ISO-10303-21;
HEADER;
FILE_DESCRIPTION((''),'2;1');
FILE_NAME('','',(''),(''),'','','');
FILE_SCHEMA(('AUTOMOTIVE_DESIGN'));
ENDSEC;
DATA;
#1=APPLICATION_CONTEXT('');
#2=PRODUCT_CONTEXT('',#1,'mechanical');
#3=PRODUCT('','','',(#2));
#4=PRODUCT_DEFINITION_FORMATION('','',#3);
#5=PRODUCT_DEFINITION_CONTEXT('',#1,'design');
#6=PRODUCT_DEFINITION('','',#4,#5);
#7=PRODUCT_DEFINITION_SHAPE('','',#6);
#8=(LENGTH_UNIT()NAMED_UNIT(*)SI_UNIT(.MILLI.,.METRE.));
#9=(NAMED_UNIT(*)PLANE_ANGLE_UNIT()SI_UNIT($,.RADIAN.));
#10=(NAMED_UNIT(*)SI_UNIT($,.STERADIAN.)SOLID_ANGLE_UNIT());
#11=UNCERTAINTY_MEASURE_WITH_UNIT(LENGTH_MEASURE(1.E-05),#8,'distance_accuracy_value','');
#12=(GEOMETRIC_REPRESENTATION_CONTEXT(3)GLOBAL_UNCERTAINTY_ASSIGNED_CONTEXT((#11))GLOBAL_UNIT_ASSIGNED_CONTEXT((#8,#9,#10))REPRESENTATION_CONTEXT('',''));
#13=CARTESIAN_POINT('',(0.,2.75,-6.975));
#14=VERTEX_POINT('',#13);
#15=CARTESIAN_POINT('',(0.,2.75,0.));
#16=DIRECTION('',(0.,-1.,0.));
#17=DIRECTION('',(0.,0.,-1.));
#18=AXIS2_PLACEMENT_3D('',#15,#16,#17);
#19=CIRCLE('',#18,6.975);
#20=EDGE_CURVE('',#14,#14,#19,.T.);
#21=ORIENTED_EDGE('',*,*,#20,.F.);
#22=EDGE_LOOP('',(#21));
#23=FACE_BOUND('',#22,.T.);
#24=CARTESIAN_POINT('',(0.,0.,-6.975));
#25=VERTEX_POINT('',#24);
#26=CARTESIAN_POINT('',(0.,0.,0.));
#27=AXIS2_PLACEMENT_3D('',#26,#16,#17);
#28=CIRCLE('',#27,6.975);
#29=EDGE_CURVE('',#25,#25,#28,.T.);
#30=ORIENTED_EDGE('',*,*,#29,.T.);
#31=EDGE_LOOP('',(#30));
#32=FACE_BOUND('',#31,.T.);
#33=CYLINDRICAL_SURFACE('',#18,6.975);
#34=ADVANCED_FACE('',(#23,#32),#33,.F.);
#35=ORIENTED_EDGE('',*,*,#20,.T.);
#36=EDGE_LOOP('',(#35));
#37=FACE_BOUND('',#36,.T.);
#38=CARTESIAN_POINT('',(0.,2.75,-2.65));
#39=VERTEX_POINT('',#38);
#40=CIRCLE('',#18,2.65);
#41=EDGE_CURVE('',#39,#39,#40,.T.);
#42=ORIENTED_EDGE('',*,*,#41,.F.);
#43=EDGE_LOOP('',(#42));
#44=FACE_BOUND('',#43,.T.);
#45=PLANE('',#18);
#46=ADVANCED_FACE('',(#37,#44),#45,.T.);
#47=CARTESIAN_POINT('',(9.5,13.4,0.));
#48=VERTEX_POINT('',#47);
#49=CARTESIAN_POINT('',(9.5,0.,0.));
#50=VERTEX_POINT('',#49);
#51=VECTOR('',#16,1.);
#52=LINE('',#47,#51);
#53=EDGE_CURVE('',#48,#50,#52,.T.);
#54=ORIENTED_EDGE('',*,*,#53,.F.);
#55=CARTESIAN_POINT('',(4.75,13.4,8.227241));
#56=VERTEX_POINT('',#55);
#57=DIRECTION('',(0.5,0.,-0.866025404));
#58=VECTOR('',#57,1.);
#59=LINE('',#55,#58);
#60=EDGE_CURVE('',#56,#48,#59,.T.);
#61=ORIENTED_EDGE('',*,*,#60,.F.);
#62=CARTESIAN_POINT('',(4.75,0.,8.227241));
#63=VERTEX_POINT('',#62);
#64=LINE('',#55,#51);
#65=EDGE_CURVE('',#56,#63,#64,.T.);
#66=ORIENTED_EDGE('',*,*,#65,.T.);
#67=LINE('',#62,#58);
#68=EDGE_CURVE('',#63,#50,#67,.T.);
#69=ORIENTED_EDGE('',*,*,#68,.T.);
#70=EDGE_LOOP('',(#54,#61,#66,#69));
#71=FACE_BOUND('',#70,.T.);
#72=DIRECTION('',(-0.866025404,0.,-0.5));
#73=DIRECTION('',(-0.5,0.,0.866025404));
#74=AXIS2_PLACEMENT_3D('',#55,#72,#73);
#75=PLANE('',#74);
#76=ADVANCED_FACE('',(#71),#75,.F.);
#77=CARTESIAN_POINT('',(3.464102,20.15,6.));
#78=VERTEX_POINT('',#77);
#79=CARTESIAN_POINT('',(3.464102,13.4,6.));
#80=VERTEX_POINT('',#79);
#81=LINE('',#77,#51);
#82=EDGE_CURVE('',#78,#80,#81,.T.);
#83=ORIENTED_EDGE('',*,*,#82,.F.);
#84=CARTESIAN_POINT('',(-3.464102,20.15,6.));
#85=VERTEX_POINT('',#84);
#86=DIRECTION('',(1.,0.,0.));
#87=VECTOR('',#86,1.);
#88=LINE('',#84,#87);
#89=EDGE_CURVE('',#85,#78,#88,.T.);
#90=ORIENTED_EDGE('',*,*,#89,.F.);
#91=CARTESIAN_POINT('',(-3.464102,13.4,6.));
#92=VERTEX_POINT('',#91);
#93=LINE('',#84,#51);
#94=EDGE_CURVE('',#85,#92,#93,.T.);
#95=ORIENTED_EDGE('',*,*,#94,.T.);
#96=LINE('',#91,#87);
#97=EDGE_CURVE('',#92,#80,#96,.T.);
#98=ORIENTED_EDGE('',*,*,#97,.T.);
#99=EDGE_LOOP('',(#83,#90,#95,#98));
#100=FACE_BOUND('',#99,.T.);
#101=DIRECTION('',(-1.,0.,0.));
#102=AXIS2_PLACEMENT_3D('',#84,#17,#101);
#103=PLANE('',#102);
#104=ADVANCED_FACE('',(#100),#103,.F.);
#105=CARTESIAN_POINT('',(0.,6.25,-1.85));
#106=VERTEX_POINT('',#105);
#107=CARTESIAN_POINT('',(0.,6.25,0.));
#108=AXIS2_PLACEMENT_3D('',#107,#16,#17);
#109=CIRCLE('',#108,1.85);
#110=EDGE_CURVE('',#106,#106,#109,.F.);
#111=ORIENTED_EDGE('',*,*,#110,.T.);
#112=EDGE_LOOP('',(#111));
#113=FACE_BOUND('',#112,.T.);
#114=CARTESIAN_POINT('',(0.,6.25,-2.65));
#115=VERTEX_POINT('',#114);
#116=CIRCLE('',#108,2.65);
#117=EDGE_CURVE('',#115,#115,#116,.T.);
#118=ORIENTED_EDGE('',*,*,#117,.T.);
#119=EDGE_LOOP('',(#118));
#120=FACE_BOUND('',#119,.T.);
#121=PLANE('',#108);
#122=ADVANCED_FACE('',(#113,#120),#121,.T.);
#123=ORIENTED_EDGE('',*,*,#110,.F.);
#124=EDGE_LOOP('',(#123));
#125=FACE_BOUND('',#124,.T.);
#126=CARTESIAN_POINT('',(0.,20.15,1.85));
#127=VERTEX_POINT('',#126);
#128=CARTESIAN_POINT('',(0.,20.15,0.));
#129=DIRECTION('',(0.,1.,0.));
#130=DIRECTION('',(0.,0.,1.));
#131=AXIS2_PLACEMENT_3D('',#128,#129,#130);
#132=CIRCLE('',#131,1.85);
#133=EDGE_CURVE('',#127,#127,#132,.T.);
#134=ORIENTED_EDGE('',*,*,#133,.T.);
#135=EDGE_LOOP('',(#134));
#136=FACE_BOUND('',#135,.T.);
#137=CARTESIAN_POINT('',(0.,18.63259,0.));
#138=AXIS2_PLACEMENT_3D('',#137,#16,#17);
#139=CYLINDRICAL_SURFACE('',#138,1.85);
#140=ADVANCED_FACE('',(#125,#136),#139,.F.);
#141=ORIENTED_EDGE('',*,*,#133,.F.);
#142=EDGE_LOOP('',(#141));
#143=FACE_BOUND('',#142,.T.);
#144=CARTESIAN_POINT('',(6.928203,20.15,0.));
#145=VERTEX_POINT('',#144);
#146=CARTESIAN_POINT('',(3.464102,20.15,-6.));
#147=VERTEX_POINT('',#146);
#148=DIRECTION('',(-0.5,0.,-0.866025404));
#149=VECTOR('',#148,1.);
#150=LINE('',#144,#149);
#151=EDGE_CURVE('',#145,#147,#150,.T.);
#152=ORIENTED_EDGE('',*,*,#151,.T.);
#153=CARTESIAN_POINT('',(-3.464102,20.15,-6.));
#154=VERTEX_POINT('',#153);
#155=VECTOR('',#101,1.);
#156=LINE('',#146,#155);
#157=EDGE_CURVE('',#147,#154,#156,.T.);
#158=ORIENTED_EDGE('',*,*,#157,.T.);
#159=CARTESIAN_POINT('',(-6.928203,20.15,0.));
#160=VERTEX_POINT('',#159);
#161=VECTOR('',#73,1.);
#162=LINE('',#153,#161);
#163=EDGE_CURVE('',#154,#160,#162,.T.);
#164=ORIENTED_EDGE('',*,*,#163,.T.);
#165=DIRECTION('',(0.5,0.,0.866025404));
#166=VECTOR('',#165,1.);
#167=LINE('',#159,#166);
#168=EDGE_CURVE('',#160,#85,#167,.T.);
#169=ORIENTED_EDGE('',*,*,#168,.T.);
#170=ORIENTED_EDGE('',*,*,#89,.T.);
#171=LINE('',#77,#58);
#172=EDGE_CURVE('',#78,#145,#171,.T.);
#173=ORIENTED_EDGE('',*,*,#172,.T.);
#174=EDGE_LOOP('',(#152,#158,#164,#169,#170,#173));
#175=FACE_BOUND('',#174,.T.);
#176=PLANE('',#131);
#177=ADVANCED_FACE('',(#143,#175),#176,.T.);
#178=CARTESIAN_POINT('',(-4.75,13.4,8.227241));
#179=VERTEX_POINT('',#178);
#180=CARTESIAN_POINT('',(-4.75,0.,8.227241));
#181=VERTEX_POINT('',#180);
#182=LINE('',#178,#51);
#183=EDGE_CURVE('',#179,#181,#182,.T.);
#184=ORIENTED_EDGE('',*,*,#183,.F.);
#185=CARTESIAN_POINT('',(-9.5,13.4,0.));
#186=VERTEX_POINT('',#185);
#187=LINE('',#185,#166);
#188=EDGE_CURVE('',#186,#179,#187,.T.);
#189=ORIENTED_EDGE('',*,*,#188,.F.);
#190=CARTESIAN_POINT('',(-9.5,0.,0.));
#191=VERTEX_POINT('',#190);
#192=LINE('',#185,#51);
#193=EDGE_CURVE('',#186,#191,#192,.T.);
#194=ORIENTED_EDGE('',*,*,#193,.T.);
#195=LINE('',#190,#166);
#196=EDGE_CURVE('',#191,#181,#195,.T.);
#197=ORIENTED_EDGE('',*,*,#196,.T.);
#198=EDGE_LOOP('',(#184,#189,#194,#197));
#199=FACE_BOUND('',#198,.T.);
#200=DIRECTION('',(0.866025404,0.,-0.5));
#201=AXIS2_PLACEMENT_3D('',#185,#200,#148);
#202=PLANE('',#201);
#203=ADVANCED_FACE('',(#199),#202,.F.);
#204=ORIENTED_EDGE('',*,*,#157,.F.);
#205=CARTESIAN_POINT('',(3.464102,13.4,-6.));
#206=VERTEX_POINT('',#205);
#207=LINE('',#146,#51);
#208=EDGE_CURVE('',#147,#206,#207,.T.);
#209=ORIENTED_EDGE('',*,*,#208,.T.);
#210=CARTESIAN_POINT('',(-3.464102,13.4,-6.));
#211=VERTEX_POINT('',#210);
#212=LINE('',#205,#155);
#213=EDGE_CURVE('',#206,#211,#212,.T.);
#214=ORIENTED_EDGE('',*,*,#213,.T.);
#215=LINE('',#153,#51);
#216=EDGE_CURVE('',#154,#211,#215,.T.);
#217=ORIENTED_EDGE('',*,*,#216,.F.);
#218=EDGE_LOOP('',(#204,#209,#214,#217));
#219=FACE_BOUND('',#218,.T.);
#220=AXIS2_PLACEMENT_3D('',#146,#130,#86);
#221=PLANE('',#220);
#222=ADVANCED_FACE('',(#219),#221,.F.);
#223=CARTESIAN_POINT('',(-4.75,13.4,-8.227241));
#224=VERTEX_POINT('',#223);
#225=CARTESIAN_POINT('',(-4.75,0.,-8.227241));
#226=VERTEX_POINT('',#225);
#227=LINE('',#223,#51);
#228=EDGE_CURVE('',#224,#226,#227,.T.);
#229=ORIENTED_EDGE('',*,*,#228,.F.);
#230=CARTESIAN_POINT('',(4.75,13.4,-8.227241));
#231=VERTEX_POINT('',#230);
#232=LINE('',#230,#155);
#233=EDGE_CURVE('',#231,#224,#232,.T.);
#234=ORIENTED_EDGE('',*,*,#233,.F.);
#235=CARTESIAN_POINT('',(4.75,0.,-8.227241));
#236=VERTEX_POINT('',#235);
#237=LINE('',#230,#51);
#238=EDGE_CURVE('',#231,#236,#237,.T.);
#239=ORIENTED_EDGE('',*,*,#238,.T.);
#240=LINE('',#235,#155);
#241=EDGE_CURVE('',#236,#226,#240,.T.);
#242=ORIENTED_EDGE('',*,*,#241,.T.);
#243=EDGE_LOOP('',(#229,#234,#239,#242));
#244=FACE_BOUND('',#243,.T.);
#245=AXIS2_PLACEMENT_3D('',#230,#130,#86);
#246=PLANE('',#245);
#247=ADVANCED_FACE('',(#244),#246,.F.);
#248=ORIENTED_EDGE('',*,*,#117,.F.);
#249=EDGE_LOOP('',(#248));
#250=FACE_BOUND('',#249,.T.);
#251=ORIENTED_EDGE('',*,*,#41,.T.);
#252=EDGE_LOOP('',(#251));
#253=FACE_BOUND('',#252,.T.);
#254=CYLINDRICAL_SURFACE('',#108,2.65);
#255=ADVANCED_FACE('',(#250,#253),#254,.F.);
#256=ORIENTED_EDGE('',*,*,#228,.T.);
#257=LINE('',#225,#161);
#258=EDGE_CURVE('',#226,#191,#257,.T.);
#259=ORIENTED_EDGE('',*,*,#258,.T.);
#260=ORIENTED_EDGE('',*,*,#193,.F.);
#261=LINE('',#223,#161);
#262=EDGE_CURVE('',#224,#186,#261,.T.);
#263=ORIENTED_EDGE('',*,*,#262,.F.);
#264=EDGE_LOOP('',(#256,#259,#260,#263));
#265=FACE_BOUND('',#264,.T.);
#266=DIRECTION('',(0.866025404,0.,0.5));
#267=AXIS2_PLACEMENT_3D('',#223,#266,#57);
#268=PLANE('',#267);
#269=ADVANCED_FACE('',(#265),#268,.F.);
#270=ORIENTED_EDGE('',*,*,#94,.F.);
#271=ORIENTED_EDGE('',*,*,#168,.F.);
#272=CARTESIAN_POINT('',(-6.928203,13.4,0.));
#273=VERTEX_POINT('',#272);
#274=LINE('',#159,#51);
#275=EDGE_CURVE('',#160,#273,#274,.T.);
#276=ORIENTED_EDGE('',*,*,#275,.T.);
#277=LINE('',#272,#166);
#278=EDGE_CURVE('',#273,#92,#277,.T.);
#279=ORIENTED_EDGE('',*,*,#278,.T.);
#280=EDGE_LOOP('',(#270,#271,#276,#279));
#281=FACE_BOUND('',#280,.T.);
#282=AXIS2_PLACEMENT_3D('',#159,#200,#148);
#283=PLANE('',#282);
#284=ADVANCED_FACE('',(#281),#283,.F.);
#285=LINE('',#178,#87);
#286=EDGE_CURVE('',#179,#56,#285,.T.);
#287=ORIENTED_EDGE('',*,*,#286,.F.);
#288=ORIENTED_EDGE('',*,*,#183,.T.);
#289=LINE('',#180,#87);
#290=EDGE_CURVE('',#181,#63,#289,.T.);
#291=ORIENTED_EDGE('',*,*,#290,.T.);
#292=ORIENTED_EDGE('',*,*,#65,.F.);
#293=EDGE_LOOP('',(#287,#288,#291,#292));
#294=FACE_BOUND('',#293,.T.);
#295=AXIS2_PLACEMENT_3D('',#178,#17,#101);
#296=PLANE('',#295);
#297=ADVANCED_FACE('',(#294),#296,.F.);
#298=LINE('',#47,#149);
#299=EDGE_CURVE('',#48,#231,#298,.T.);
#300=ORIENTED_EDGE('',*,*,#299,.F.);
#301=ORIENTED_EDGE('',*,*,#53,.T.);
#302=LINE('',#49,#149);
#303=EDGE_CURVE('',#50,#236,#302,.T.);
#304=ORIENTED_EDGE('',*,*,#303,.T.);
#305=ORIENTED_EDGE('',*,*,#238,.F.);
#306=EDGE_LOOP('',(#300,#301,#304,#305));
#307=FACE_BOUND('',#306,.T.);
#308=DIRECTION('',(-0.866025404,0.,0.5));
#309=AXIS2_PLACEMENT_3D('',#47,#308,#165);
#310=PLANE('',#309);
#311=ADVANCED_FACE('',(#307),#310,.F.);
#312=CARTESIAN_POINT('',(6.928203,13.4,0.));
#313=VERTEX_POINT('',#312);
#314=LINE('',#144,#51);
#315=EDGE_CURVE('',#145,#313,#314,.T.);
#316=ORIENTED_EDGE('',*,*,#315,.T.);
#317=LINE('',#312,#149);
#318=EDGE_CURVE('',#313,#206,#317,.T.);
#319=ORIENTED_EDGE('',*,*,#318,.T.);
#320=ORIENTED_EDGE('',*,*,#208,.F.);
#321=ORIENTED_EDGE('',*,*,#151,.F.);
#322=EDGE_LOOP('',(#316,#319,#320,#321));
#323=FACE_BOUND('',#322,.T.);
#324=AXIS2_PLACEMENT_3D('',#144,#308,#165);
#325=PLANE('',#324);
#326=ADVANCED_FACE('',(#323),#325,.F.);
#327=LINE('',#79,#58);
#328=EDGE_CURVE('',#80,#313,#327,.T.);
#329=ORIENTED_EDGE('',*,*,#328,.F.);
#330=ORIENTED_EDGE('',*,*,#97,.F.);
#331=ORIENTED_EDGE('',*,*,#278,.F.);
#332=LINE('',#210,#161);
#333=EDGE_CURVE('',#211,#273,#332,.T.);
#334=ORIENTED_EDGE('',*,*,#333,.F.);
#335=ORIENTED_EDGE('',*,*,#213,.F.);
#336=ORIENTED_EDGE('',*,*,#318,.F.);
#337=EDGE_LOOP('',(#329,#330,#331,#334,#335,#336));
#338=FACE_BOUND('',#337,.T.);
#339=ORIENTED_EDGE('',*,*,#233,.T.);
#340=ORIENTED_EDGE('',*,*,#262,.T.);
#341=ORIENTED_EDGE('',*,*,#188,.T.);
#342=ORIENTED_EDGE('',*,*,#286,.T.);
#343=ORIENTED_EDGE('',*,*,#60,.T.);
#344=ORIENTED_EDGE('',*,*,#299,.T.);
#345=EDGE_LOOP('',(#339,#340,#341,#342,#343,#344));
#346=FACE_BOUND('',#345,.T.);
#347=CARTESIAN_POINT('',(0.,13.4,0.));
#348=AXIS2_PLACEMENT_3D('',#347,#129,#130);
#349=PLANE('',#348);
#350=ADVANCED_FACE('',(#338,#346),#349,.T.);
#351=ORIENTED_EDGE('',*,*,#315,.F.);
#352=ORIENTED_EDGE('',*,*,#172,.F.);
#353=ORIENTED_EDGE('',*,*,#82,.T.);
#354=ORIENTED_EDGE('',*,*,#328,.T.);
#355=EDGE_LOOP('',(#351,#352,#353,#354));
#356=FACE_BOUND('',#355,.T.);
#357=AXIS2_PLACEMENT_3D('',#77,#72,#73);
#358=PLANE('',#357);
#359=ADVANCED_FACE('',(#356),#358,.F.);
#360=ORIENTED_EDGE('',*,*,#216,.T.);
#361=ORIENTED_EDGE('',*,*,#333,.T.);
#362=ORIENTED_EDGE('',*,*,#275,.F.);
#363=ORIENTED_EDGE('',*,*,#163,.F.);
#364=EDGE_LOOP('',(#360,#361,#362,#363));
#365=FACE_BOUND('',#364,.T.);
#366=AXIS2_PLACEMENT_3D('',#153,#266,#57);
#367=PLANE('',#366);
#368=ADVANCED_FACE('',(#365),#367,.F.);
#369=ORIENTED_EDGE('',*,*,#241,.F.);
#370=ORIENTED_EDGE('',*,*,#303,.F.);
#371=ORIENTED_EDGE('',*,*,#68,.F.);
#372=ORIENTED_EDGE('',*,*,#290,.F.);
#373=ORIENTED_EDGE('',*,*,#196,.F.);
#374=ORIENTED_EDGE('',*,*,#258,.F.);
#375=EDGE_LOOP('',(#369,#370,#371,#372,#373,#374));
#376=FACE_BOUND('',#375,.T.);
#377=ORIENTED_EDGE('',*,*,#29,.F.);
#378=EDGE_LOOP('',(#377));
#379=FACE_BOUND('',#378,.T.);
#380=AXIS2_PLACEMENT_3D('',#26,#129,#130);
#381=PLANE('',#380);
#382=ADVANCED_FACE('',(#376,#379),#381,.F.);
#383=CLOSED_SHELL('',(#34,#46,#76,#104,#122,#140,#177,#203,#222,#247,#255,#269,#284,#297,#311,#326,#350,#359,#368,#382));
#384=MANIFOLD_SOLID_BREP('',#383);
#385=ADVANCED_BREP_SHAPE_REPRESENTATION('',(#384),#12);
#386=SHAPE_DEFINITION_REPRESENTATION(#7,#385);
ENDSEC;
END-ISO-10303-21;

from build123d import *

# Parameters (mm, degrees)
SALIENTE_EXTRUIR1_DEPTH = 13.4
CROQUIS2_R              = 6.975
CORTAR_EXTRUIR1_DEPTH   = 2.75
CROQUIS3_R              = 1.85
CORTAR_EXTRUIR2_DEPTH   = 10.65
SALIENTE_EXTRUIR2_DEPTH = 6.75
CORTAR_EXTRUIR3_START   = -6.75
CROQUIS6_R              = 1.85
CORTAR_EXTRUIR3_DEPTH   = 6.75
CROQUIS7_R              = 2.65
CORTAR_EXTRUIR4_DEPTH   = 3.5


with BuildPart() as part:
    # Croquis1 → Saliente-Extruir1 (new body)
    with BuildSketch(Plane(origin=(0, 0, 0), x_dir=(1, 0, 0), z_dir=(0, 1, 0))):
        Polygon((9.5, 0), (4.75, 8.227241336), (-4.75, 8.227241336), (-9.5, 0), (-4.75, -8.227241336), (4.75, -8.227241336), align=None)
    extrude(amount=SALIENTE_EXTRUIR1_DEPTH)

    # Croquis2 → Cortar-Extruir1 (cut)
    with BuildSketch(Plane.XZ):
        with Locations(Location((0, 0, 0), (0, 0, 270))):
            Circle(CROQUIS2_R)
    extrude(amount=-CORTAR_EXTRUIR1_DEPTH, mode=Mode.SUBTRACT)

    # Croquis3 → Cortar-Extruir2 (cut)
    with BuildSketch(Plane.XZ.offset(-2.75)):
        with Locations(Location((0, 0, 0), (0, 0, 270))):
            Circle(CROQUIS3_R)
    extrude(amount=-CORTAR_EXTRUIR2_DEPTH, mode=Mode.SUBTRACT)

    # Croquis4 → Saliente-Extruir2 (add)
    with BuildSketch(Plane(origin=(0, 13.4, 0), x_dir=(1, 0, 0), z_dir=(0, 1, 0))):
        Polygon((6.92820323, 0), (3.464101615, 6), (-3.464101615, 6), (-6.92820323, 0), (-3.464101615, -6), (3.464101615, -6), align=None)
    extrude(amount=SALIENTE_EXTRUIR2_DEPTH)

    # Croquis6 → Cortar-Extruir3 (cut)
    with BuildSketch(Plane(origin=(0, 20.15, 0), x_dir=(1, 0, 0), z_dir=(0, 1, 0)).offset(CORTAR_EXTRUIR3_START)):
        with Locations(Location((0, 0, 0), (0, 0, 90))):
            Circle(CROQUIS6_R)
    extrude(amount=CORTAR_EXTRUIR3_DEPTH, mode=Mode.SUBTRACT)

    # Croquis7 → Cortar-Extruir4 (cut)
    with BuildSketch(Plane.XZ.offset(-2.75)):
        with Locations(Location((0, 0, 0), (0, 0, 270))):
            Circle(CROQUIS7_R)
    extrude(amount=-CORTAR_EXTRUIR4_DEPTH, mode=Mode.SUBTRACT)


solid = part.part
